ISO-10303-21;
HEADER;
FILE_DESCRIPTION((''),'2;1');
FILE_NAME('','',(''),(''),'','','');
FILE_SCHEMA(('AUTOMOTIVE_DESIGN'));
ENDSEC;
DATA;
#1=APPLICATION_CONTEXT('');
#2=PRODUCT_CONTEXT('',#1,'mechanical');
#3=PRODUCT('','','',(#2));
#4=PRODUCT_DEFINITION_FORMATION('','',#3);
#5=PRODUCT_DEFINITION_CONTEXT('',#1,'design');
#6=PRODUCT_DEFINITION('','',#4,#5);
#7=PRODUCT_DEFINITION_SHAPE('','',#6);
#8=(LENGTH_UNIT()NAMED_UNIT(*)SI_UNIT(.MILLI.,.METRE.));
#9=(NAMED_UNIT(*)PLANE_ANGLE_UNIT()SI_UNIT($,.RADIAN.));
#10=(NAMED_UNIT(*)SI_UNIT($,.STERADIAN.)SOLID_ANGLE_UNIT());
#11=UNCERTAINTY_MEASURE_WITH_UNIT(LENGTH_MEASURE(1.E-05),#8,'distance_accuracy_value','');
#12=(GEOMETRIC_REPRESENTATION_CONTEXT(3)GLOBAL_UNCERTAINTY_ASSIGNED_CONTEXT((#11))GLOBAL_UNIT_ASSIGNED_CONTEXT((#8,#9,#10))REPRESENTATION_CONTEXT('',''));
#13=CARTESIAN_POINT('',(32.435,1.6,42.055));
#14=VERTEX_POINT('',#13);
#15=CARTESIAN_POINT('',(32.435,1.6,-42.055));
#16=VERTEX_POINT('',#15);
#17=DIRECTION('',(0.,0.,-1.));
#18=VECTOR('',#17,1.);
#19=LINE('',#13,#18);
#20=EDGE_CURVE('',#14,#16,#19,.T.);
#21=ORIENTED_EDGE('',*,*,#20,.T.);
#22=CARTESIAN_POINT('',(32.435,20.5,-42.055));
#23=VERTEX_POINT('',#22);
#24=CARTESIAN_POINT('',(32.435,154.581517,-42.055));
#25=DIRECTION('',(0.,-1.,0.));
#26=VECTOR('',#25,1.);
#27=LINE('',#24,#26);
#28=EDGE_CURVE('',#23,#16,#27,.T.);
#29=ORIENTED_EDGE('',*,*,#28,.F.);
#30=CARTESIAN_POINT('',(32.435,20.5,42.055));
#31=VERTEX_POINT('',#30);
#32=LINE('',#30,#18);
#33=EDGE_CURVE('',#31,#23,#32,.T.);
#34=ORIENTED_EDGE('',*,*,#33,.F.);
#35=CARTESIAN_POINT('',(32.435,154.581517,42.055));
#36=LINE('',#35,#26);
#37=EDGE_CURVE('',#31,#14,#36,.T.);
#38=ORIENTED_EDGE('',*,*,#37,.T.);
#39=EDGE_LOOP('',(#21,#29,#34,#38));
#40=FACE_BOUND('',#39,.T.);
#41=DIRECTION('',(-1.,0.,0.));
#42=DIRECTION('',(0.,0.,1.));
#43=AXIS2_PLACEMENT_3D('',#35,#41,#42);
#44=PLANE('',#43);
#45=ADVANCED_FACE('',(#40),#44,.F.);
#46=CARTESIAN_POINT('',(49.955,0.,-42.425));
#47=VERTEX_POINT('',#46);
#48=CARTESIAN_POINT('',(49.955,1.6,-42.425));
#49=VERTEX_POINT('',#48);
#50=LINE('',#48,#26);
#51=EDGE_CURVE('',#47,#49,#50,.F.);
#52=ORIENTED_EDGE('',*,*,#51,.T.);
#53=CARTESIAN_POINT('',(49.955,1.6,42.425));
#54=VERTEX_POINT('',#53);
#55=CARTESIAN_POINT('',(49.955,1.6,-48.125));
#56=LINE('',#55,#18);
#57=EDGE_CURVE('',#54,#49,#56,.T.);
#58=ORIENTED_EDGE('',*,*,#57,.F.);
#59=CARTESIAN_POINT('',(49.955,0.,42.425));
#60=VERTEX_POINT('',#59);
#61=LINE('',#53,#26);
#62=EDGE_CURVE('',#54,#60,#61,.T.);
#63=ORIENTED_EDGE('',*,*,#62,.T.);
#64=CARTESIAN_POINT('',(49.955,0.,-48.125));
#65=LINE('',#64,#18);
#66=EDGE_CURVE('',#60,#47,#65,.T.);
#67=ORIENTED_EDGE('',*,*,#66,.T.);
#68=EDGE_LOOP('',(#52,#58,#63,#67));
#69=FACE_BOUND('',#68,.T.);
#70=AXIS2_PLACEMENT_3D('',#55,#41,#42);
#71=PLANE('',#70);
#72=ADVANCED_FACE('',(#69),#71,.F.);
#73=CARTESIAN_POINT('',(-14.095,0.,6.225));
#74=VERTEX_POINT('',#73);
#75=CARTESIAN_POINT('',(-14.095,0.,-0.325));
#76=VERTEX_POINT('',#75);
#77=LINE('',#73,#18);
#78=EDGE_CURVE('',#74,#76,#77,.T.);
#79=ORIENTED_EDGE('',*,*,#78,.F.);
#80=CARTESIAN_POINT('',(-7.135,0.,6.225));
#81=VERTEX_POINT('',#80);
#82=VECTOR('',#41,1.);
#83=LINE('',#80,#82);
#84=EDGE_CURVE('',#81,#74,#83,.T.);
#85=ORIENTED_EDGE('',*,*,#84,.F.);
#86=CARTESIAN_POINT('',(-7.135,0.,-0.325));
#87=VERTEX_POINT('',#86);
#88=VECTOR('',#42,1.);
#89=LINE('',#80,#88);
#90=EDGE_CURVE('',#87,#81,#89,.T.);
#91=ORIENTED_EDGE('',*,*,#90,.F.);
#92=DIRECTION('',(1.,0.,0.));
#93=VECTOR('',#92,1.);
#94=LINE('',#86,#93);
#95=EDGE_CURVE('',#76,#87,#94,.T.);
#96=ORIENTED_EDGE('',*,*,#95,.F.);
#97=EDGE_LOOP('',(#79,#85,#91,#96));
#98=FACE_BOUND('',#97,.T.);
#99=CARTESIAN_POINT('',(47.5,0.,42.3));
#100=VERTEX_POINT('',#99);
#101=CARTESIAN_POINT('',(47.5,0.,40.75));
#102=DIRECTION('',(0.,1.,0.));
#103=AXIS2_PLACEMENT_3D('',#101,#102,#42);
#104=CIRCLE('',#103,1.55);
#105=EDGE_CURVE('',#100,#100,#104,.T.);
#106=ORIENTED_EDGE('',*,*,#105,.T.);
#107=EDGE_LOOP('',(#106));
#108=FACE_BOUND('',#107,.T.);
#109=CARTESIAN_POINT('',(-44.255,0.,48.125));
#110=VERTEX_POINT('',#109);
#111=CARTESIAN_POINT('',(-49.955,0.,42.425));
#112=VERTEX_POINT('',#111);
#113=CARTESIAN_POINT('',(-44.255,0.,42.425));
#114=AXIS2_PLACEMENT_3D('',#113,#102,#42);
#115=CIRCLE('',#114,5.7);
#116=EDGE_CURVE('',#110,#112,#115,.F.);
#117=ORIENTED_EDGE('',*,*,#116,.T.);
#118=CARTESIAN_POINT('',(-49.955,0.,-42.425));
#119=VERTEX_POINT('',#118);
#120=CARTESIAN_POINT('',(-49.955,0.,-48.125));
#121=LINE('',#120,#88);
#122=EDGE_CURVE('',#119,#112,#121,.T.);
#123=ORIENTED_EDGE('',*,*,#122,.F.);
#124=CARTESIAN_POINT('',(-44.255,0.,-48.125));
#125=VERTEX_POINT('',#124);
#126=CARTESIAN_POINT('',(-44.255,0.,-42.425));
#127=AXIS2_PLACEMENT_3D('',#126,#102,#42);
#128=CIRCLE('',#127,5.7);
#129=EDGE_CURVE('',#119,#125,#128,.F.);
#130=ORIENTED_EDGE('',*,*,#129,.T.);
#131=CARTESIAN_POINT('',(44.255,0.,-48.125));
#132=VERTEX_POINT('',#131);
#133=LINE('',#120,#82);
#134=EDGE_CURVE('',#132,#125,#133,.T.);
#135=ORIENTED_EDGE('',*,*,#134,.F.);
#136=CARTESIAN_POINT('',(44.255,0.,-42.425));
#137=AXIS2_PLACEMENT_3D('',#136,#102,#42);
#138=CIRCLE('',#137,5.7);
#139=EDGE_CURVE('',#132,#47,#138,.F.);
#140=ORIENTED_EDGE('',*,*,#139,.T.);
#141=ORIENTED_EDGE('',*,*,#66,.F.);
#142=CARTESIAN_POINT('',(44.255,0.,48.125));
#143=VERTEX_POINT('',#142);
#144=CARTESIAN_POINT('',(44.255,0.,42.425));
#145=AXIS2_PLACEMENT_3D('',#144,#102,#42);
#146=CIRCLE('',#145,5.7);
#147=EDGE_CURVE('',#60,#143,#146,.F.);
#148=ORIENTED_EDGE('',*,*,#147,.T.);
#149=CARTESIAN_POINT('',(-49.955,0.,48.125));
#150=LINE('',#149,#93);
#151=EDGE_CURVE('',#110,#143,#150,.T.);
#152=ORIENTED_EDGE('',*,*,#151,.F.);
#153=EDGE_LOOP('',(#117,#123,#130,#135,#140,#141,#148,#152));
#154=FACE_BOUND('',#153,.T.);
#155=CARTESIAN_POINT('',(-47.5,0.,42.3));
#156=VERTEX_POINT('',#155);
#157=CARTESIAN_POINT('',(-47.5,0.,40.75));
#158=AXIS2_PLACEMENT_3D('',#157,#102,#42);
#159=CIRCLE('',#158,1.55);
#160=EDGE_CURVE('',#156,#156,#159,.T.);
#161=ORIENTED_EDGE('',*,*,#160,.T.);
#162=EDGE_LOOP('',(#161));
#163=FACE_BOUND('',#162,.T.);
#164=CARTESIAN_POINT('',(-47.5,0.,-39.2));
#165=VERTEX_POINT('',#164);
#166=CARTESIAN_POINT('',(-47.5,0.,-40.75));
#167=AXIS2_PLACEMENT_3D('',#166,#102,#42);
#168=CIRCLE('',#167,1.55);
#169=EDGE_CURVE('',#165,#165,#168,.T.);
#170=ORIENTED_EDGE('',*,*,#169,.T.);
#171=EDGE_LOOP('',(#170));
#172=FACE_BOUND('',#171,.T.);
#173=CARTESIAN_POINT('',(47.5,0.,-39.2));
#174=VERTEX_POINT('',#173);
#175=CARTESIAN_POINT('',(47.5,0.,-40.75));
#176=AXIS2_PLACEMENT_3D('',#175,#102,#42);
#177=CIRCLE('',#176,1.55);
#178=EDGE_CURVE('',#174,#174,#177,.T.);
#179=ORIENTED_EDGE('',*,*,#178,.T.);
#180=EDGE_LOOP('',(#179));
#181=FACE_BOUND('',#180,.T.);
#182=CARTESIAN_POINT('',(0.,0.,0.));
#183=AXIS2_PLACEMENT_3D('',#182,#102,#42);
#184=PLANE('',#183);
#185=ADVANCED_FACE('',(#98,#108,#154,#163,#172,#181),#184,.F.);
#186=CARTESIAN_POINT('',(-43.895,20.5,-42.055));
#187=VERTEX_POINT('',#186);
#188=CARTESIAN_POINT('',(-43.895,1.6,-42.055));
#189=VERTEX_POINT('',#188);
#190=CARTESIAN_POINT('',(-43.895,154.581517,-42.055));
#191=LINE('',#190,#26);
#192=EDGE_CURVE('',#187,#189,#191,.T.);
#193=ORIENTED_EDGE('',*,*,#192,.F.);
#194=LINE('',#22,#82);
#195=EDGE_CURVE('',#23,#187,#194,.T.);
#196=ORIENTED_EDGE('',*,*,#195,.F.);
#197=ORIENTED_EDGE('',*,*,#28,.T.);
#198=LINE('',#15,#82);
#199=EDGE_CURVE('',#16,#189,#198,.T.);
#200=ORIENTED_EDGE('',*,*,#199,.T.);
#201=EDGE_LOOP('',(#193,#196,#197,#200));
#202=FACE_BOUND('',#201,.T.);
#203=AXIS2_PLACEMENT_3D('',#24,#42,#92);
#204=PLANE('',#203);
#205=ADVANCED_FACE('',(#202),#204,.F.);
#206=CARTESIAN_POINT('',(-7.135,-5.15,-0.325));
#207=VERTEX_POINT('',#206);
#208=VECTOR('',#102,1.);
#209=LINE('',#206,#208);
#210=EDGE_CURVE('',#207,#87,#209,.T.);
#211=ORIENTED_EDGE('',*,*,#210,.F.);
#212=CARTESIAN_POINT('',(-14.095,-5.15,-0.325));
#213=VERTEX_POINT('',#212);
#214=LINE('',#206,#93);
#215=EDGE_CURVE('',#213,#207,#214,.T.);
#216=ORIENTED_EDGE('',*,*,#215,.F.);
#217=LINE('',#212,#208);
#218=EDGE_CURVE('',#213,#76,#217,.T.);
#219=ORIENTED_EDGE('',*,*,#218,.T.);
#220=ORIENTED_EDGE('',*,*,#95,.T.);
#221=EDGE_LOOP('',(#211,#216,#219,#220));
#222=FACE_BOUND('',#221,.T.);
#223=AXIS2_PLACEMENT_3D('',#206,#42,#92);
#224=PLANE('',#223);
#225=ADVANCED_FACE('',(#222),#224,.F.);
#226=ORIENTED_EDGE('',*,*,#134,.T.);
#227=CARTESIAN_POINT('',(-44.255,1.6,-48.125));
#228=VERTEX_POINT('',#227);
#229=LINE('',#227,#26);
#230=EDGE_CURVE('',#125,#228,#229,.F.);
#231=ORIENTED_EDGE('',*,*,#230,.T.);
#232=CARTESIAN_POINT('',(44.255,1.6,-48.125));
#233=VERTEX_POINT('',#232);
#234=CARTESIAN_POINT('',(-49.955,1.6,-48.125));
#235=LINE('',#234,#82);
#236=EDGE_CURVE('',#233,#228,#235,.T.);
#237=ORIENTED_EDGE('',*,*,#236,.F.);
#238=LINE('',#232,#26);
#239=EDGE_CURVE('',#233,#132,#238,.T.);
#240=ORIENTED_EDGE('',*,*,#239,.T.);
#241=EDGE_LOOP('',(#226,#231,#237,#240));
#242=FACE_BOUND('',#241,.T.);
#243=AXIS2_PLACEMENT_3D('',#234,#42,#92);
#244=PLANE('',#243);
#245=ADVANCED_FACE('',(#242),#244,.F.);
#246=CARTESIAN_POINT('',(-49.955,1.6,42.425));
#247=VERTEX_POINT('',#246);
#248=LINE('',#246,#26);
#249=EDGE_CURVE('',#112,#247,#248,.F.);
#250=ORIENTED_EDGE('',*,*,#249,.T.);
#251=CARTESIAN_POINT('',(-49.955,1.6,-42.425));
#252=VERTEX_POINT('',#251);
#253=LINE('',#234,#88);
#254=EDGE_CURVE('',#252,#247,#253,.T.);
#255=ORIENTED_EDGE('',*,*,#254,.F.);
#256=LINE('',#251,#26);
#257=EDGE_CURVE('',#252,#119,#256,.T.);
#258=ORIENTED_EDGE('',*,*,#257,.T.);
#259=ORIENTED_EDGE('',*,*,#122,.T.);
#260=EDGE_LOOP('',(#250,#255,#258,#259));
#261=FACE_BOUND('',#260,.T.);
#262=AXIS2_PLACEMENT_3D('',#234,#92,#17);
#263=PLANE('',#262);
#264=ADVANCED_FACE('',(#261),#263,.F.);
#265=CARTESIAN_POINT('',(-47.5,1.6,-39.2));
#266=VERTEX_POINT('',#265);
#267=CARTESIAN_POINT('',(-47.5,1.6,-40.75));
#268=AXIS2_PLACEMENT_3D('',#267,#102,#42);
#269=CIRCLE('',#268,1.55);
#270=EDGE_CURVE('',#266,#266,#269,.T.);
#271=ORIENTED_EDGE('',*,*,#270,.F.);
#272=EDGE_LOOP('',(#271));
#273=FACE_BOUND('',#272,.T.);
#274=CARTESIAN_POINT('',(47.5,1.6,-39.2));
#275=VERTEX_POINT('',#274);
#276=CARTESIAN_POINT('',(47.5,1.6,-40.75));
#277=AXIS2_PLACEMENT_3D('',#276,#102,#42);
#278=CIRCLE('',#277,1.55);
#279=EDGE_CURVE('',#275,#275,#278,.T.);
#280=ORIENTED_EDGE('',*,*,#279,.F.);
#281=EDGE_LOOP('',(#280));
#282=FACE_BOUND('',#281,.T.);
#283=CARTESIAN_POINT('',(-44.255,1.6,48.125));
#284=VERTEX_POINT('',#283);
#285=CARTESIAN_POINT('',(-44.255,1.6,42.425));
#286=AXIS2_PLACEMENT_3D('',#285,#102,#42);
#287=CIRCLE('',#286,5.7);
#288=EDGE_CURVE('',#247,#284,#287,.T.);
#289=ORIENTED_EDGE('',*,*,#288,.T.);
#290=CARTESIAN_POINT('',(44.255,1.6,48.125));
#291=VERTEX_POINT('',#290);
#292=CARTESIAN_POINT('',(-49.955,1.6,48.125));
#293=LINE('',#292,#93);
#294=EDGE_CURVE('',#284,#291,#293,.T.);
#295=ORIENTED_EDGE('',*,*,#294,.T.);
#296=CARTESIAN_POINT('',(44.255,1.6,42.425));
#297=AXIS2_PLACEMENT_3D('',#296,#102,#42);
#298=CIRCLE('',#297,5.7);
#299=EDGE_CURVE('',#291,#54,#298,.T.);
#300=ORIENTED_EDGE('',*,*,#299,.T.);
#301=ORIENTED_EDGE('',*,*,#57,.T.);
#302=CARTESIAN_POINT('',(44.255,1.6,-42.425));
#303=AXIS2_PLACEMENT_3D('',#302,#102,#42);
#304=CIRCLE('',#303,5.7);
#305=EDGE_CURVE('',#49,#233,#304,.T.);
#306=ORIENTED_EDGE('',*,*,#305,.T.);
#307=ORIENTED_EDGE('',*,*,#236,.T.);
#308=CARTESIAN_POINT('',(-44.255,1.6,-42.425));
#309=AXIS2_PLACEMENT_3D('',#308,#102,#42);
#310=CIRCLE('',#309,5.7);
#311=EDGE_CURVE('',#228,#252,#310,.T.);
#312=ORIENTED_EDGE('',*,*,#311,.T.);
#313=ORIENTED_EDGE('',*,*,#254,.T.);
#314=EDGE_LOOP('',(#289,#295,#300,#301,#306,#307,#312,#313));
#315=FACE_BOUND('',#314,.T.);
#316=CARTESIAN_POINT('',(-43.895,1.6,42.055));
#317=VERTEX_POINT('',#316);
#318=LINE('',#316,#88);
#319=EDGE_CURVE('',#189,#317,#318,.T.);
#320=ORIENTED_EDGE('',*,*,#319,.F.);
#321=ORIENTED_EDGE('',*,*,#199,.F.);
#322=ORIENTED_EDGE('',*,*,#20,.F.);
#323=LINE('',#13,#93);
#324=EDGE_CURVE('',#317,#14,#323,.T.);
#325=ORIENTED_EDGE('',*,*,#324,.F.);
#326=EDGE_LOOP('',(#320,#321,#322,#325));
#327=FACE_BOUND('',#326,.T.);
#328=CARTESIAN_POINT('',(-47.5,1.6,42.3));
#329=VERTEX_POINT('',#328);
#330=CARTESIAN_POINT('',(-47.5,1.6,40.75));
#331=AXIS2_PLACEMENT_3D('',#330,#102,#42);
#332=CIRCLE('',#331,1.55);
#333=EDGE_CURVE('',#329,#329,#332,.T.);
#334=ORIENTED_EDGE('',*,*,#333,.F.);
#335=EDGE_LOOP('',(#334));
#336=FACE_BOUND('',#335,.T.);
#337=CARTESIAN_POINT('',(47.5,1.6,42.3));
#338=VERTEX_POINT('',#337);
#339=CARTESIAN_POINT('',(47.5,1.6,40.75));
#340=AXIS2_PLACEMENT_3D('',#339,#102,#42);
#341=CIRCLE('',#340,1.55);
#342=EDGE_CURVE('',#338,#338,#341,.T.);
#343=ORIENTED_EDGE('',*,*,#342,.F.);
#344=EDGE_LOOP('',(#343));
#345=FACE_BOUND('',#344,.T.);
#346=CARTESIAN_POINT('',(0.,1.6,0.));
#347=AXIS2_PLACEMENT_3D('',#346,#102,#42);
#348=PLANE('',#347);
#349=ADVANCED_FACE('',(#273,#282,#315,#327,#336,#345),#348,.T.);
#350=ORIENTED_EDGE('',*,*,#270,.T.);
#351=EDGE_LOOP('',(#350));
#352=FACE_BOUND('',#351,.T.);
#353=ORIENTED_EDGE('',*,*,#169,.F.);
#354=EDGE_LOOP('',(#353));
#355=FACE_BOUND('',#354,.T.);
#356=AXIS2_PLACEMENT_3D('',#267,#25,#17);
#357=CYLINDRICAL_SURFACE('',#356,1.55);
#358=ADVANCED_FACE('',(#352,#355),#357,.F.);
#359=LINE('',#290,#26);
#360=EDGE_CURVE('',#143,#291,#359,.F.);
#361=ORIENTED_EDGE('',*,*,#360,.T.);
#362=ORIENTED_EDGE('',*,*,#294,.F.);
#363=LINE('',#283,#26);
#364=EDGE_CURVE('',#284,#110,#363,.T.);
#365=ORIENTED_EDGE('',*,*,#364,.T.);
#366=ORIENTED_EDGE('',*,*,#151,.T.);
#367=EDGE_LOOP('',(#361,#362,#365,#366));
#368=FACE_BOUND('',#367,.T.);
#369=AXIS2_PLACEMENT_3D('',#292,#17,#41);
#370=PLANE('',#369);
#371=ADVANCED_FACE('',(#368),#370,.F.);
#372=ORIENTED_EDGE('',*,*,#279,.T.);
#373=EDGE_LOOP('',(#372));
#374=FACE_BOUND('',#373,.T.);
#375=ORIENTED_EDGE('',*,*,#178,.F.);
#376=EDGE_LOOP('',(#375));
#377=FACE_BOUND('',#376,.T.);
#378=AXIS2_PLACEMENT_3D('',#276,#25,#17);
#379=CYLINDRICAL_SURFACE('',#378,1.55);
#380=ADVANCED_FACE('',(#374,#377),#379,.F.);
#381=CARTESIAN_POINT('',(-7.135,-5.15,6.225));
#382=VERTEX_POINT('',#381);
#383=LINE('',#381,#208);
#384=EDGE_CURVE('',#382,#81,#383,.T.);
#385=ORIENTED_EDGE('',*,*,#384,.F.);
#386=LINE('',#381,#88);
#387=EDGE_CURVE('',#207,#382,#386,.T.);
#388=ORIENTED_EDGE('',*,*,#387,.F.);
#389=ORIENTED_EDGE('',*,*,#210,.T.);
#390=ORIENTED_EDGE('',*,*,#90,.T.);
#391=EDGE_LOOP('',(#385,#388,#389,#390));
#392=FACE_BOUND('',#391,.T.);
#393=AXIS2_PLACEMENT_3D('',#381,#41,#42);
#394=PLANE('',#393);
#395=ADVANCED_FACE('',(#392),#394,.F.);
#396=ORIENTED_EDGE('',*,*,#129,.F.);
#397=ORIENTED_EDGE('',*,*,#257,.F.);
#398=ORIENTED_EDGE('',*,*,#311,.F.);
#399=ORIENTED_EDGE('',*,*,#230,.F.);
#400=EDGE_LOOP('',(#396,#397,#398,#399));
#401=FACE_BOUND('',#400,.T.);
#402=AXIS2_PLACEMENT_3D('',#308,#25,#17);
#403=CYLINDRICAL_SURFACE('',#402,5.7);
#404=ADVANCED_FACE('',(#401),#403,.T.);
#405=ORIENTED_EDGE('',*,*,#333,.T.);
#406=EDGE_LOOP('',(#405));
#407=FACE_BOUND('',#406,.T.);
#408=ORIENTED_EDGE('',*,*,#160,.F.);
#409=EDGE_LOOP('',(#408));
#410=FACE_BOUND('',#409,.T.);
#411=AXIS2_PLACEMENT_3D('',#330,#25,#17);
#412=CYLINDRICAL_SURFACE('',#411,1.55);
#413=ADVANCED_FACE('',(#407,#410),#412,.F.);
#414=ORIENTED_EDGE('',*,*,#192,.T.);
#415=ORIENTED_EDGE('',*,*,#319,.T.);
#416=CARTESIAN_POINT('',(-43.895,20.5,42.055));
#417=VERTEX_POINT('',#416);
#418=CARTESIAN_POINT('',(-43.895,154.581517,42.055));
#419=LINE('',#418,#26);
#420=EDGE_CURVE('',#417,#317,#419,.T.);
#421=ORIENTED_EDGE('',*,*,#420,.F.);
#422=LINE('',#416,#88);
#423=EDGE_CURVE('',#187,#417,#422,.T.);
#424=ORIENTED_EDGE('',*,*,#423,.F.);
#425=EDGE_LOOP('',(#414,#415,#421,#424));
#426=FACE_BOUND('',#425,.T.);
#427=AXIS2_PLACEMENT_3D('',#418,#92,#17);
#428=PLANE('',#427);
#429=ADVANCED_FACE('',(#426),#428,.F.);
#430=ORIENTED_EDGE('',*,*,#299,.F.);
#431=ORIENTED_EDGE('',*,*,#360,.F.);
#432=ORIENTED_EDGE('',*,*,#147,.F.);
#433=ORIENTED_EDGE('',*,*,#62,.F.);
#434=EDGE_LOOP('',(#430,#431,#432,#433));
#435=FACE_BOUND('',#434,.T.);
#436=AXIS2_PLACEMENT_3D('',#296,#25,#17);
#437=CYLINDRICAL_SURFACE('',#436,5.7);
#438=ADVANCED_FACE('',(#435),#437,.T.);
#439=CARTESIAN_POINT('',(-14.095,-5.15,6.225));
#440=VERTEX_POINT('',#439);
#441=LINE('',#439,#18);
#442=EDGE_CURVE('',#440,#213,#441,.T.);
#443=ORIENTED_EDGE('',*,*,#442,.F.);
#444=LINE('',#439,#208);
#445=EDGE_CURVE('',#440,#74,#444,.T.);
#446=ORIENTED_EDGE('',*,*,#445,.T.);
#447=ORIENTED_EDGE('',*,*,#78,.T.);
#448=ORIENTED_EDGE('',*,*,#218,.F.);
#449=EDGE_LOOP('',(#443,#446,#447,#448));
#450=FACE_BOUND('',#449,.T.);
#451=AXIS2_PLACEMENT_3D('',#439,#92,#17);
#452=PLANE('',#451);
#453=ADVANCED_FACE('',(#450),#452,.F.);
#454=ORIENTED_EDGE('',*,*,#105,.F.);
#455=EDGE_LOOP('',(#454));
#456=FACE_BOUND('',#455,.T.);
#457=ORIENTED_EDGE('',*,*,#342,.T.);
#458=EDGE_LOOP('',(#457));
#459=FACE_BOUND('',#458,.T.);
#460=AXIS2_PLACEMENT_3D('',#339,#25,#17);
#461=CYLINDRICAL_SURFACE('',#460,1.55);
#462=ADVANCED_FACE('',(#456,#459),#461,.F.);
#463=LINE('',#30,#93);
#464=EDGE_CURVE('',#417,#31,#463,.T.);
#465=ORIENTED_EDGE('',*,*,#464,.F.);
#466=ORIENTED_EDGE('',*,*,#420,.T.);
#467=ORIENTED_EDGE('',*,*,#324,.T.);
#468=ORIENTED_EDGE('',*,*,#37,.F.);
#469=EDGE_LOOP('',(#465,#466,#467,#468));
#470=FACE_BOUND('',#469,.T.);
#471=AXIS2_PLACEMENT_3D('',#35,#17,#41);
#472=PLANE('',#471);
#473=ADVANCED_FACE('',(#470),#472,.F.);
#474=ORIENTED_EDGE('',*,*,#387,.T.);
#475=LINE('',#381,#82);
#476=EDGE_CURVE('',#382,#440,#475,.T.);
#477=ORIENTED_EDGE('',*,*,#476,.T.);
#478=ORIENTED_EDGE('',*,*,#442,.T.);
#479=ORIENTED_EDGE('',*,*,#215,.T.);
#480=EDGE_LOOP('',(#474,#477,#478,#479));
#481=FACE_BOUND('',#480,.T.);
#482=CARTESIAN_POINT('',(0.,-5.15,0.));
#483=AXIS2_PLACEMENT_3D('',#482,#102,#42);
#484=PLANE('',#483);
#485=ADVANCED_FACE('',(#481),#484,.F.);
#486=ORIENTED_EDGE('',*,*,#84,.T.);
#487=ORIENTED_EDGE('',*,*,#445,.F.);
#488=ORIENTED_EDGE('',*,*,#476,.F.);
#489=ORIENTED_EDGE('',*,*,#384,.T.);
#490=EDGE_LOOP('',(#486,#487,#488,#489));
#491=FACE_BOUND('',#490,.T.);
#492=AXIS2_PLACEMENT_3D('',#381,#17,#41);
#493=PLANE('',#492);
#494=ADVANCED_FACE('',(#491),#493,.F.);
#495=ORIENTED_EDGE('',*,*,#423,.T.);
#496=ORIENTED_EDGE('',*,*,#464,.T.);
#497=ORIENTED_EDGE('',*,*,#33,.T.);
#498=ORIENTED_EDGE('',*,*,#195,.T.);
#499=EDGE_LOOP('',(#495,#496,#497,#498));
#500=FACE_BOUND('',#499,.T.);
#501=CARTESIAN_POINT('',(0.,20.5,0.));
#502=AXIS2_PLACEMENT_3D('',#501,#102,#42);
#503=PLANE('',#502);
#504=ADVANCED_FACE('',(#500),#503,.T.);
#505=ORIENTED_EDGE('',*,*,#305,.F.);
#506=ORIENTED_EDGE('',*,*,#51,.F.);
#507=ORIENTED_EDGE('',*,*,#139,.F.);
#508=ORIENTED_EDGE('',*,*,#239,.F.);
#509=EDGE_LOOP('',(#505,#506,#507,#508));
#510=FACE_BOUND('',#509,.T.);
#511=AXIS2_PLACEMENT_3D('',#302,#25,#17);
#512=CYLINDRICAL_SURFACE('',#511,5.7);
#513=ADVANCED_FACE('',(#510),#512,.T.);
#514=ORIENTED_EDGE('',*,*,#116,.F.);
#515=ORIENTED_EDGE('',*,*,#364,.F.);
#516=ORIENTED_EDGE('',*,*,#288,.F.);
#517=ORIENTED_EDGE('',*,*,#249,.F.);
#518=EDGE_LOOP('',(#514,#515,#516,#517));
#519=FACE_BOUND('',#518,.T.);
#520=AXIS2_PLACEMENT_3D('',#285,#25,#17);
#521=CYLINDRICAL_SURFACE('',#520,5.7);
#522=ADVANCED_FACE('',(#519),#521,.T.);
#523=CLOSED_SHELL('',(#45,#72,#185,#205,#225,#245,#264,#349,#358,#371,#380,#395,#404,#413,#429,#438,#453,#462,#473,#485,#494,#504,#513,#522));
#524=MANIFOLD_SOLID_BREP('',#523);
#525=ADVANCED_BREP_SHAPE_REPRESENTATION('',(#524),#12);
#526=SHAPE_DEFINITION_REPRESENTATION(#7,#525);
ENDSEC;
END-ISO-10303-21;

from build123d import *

# Parameters (mm, degrees)
SKETCH1_W           = 99.910000078
SKETCH1_H           = 96.25
SKETCH1_R           = 1.55
BOSS_EXTRUDE1_DEPTH = 1.6
FILLET1_R           = 5.7
SKETCH2_W           = 76.33
SKETCH2_H           = 84.11
BOSS_EXTRUDE2_DEPTH = 18.9
SKETCH3_W           = 6.96
SKETCH3_H           = 6.55
BOSS_EXTRUDE3_DEPTH = 5.15


with BuildPart() as part:
    # Sketch1 → Boss-Extrude1 (new body)
    with BuildSketch(Plane(origin=(0, 0, 0), x_dir=(1, 0, 0), z_dir=(0, 1, 0))):
        Rectangle(SKETCH1_W, SKETCH1_H)
        with Locations((-47.5, 40.75)):
            Circle(SKETCH1_R, mode=Mode.SUBTRACT)
        with Locations((47.5, 40.75)):
            Circle(SKETCH1_R, mode=Mode.SUBTRACT)
        with Locations((-47.5, -40.75)):
            Circle(SKETCH1_R, mode=Mode.SUBTRACT)
        with Locations((47.5, -40.75)):
            Circle(SKETCH1_R, mode=Mode.SUBTRACT)
    extrude(amount=BOSS_EXTRUDE1_DEPTH)

    # Fillet1
    fillet1_edges = [part.edges().sort_by_distance(p)[0] for p in [
        (-49.955000039, 0.8, -48.125),
        (49.955000039, 0.8, -48.125),
        (49.955000039, 0.8, 48.125),
        (-49.955000039, 0.8, 48.125),
    ]]
    fillet(fillet1_edges, radius=FILLET1_R)

    # Sketch2 → Boss-Extrude2 (add)
    with BuildSketch(Plane(origin=(0, 1.6, 0), x_dir=(1, 0, 0), z_dir=(0, 1, 0))):
        with Locations((-5.730000039, 0)):
            Rectangle(SKETCH2_W, SKETCH2_H)
    extrude(amount=BOSS_EXTRUDE2_DEPTH)

    # Sketch3 → Boss-Extrude3 (add)
    with BuildSketch(Plane.XZ):
        with Locations((-10.615000039, 2.95)):
            Rectangle(SKETCH3_W, SKETCH3_H)
    extrude(amount=BOSS_EXTRUDE3_DEPTH)


solid = part.part
